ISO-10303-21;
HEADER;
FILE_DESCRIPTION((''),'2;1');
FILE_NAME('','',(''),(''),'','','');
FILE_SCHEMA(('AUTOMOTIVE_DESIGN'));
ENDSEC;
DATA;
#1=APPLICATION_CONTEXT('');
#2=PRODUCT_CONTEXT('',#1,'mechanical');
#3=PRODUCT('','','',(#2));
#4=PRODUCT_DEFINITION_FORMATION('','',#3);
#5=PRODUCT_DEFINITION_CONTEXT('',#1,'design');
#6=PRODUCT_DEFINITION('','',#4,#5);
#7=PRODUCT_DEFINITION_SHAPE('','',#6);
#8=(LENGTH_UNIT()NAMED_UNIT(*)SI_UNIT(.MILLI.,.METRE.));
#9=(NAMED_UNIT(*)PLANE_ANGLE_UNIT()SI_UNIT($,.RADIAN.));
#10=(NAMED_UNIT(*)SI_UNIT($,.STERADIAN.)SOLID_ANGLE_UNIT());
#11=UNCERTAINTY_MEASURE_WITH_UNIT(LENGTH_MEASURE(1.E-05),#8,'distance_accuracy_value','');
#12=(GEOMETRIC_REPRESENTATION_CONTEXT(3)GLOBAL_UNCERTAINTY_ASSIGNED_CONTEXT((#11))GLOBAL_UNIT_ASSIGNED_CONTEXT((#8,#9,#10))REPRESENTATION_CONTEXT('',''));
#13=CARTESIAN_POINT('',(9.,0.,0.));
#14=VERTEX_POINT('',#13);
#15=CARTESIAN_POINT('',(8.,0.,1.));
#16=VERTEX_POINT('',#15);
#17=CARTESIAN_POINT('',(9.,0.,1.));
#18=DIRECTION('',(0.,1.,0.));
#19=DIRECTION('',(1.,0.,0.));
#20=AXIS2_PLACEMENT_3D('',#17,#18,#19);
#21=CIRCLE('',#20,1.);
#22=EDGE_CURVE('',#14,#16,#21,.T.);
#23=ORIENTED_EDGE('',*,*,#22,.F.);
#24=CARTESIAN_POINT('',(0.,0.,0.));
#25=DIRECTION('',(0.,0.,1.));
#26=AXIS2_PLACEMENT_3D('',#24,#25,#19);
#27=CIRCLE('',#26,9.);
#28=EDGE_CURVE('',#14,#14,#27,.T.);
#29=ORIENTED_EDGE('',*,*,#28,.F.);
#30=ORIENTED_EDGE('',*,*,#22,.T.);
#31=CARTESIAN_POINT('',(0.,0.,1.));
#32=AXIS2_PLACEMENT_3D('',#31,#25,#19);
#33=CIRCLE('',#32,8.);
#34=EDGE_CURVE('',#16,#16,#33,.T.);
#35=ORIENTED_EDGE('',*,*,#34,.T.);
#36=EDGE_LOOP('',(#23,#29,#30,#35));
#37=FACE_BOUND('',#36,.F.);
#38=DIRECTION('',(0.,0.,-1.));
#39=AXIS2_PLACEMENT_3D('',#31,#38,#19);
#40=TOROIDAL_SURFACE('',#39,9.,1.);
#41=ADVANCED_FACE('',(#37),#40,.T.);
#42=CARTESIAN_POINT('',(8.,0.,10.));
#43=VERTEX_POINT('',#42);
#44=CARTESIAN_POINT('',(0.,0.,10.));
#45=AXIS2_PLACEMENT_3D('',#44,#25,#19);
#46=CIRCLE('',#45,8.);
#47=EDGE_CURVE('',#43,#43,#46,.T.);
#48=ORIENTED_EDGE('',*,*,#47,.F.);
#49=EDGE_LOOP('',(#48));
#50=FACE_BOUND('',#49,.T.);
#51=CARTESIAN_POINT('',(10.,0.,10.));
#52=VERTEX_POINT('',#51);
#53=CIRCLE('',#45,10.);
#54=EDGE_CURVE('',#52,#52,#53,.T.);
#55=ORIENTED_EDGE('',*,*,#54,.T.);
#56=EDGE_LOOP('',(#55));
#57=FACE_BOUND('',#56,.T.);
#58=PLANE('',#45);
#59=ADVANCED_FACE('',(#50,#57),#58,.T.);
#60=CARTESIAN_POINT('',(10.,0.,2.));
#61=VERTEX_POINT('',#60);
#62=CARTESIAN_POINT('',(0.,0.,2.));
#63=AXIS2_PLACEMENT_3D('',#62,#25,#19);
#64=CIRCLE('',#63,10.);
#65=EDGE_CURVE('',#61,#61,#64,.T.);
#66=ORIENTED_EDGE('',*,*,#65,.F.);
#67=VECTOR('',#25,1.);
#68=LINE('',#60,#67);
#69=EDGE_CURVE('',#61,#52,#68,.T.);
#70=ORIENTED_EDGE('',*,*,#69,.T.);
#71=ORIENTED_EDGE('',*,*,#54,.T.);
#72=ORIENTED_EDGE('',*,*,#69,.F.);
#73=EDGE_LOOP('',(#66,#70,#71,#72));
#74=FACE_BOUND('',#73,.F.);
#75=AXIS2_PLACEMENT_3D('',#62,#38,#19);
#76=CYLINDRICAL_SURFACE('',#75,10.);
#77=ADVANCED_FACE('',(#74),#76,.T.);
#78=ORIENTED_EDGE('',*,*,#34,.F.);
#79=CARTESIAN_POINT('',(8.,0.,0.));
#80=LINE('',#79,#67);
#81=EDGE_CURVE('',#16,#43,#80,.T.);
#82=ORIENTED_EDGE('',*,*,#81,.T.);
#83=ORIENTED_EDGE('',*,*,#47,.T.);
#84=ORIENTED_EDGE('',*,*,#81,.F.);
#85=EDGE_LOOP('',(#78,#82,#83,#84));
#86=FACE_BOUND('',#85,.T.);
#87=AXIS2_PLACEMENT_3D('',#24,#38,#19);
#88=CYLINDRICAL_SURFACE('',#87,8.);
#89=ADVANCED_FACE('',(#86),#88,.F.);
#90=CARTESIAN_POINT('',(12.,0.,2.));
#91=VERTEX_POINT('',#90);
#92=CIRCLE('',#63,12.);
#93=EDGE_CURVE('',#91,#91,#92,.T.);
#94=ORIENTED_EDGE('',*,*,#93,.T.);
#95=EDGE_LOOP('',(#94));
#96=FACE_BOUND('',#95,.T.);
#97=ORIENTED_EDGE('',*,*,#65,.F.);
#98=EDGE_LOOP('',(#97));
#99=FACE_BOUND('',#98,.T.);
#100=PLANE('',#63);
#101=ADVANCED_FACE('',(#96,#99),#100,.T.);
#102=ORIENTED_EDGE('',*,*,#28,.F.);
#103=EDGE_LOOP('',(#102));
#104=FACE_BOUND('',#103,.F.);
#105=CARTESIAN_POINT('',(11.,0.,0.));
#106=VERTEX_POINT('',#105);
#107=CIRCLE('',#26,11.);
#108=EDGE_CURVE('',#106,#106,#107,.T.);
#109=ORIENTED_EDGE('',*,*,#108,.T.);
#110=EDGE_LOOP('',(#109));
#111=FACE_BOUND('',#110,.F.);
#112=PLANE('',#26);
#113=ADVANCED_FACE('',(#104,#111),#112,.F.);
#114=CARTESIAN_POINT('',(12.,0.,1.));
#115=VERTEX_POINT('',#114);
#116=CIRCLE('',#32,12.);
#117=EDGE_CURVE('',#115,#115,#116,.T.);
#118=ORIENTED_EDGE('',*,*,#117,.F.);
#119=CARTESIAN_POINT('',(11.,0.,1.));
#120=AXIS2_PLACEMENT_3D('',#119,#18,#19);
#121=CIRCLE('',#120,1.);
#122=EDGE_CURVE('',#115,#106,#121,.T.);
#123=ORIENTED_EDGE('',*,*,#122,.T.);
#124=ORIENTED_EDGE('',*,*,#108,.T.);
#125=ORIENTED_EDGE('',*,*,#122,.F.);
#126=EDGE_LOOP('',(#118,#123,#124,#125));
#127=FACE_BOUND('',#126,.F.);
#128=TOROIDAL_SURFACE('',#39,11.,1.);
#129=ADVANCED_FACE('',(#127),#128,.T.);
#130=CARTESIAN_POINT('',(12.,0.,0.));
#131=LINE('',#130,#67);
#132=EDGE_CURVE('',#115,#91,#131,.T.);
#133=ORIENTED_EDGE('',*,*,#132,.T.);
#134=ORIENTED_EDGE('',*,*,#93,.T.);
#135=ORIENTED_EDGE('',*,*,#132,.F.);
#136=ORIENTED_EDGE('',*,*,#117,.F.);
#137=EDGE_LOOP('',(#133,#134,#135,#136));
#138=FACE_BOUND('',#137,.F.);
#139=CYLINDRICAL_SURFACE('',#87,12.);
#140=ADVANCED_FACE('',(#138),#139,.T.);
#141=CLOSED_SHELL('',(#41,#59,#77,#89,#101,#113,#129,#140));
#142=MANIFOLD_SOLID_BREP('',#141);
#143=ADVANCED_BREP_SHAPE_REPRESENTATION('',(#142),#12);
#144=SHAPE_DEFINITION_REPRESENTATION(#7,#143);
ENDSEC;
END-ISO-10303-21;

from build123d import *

# Parameters (mm, degrees)
CYLINDER_R        = 8
CYLINDER_DEPTH    = 10
CYLINDER001_R     = 12
CYLINDER001_DEPTH = 2
CYLINDER002_R     = 10
CYLINDER002_DEPTH = 8
FILLET_R          = 1


with BuildPart() as cylinder:
    # Cylinder → Cylinder (new body)
    with BuildSketch(Plane.XY):
        Circle(CYLINDER_R)
    extrude(amount=CYLINDER_DEPTH)


with BuildPart() as cylinder001:
    # Cylinder001 → Cylinder001 (new body)
    with BuildSketch(Plane.XY):
        Circle(CYLINDER001_R)
    extrude(amount=CYLINDER001_DEPTH)


with BuildPart() as fillet_body:
    # Cylinder002 → Cylinder002 (new body)
    with BuildSketch(Plane.XY.offset(2)):
        Circle(CYLINDER002_R)
    extrude(amount=CYLINDER002_DEPTH)

    # Fusion: union Cylinder001
    add(cylinder001.part)

    # Cut: cut Cylinder
    add(cylinder.part, mode=Mode.SUBTRACT)

    # Fillet
    fillet_edges = [fillet_body.edges().sort_by_distance(p)[0] for p in [
        (-12, 0, 0),
        (-8, 0, 0),
    ]]
    fillet(fillet_edges, radius=FILLET_R)


solid = fillet_body.part
